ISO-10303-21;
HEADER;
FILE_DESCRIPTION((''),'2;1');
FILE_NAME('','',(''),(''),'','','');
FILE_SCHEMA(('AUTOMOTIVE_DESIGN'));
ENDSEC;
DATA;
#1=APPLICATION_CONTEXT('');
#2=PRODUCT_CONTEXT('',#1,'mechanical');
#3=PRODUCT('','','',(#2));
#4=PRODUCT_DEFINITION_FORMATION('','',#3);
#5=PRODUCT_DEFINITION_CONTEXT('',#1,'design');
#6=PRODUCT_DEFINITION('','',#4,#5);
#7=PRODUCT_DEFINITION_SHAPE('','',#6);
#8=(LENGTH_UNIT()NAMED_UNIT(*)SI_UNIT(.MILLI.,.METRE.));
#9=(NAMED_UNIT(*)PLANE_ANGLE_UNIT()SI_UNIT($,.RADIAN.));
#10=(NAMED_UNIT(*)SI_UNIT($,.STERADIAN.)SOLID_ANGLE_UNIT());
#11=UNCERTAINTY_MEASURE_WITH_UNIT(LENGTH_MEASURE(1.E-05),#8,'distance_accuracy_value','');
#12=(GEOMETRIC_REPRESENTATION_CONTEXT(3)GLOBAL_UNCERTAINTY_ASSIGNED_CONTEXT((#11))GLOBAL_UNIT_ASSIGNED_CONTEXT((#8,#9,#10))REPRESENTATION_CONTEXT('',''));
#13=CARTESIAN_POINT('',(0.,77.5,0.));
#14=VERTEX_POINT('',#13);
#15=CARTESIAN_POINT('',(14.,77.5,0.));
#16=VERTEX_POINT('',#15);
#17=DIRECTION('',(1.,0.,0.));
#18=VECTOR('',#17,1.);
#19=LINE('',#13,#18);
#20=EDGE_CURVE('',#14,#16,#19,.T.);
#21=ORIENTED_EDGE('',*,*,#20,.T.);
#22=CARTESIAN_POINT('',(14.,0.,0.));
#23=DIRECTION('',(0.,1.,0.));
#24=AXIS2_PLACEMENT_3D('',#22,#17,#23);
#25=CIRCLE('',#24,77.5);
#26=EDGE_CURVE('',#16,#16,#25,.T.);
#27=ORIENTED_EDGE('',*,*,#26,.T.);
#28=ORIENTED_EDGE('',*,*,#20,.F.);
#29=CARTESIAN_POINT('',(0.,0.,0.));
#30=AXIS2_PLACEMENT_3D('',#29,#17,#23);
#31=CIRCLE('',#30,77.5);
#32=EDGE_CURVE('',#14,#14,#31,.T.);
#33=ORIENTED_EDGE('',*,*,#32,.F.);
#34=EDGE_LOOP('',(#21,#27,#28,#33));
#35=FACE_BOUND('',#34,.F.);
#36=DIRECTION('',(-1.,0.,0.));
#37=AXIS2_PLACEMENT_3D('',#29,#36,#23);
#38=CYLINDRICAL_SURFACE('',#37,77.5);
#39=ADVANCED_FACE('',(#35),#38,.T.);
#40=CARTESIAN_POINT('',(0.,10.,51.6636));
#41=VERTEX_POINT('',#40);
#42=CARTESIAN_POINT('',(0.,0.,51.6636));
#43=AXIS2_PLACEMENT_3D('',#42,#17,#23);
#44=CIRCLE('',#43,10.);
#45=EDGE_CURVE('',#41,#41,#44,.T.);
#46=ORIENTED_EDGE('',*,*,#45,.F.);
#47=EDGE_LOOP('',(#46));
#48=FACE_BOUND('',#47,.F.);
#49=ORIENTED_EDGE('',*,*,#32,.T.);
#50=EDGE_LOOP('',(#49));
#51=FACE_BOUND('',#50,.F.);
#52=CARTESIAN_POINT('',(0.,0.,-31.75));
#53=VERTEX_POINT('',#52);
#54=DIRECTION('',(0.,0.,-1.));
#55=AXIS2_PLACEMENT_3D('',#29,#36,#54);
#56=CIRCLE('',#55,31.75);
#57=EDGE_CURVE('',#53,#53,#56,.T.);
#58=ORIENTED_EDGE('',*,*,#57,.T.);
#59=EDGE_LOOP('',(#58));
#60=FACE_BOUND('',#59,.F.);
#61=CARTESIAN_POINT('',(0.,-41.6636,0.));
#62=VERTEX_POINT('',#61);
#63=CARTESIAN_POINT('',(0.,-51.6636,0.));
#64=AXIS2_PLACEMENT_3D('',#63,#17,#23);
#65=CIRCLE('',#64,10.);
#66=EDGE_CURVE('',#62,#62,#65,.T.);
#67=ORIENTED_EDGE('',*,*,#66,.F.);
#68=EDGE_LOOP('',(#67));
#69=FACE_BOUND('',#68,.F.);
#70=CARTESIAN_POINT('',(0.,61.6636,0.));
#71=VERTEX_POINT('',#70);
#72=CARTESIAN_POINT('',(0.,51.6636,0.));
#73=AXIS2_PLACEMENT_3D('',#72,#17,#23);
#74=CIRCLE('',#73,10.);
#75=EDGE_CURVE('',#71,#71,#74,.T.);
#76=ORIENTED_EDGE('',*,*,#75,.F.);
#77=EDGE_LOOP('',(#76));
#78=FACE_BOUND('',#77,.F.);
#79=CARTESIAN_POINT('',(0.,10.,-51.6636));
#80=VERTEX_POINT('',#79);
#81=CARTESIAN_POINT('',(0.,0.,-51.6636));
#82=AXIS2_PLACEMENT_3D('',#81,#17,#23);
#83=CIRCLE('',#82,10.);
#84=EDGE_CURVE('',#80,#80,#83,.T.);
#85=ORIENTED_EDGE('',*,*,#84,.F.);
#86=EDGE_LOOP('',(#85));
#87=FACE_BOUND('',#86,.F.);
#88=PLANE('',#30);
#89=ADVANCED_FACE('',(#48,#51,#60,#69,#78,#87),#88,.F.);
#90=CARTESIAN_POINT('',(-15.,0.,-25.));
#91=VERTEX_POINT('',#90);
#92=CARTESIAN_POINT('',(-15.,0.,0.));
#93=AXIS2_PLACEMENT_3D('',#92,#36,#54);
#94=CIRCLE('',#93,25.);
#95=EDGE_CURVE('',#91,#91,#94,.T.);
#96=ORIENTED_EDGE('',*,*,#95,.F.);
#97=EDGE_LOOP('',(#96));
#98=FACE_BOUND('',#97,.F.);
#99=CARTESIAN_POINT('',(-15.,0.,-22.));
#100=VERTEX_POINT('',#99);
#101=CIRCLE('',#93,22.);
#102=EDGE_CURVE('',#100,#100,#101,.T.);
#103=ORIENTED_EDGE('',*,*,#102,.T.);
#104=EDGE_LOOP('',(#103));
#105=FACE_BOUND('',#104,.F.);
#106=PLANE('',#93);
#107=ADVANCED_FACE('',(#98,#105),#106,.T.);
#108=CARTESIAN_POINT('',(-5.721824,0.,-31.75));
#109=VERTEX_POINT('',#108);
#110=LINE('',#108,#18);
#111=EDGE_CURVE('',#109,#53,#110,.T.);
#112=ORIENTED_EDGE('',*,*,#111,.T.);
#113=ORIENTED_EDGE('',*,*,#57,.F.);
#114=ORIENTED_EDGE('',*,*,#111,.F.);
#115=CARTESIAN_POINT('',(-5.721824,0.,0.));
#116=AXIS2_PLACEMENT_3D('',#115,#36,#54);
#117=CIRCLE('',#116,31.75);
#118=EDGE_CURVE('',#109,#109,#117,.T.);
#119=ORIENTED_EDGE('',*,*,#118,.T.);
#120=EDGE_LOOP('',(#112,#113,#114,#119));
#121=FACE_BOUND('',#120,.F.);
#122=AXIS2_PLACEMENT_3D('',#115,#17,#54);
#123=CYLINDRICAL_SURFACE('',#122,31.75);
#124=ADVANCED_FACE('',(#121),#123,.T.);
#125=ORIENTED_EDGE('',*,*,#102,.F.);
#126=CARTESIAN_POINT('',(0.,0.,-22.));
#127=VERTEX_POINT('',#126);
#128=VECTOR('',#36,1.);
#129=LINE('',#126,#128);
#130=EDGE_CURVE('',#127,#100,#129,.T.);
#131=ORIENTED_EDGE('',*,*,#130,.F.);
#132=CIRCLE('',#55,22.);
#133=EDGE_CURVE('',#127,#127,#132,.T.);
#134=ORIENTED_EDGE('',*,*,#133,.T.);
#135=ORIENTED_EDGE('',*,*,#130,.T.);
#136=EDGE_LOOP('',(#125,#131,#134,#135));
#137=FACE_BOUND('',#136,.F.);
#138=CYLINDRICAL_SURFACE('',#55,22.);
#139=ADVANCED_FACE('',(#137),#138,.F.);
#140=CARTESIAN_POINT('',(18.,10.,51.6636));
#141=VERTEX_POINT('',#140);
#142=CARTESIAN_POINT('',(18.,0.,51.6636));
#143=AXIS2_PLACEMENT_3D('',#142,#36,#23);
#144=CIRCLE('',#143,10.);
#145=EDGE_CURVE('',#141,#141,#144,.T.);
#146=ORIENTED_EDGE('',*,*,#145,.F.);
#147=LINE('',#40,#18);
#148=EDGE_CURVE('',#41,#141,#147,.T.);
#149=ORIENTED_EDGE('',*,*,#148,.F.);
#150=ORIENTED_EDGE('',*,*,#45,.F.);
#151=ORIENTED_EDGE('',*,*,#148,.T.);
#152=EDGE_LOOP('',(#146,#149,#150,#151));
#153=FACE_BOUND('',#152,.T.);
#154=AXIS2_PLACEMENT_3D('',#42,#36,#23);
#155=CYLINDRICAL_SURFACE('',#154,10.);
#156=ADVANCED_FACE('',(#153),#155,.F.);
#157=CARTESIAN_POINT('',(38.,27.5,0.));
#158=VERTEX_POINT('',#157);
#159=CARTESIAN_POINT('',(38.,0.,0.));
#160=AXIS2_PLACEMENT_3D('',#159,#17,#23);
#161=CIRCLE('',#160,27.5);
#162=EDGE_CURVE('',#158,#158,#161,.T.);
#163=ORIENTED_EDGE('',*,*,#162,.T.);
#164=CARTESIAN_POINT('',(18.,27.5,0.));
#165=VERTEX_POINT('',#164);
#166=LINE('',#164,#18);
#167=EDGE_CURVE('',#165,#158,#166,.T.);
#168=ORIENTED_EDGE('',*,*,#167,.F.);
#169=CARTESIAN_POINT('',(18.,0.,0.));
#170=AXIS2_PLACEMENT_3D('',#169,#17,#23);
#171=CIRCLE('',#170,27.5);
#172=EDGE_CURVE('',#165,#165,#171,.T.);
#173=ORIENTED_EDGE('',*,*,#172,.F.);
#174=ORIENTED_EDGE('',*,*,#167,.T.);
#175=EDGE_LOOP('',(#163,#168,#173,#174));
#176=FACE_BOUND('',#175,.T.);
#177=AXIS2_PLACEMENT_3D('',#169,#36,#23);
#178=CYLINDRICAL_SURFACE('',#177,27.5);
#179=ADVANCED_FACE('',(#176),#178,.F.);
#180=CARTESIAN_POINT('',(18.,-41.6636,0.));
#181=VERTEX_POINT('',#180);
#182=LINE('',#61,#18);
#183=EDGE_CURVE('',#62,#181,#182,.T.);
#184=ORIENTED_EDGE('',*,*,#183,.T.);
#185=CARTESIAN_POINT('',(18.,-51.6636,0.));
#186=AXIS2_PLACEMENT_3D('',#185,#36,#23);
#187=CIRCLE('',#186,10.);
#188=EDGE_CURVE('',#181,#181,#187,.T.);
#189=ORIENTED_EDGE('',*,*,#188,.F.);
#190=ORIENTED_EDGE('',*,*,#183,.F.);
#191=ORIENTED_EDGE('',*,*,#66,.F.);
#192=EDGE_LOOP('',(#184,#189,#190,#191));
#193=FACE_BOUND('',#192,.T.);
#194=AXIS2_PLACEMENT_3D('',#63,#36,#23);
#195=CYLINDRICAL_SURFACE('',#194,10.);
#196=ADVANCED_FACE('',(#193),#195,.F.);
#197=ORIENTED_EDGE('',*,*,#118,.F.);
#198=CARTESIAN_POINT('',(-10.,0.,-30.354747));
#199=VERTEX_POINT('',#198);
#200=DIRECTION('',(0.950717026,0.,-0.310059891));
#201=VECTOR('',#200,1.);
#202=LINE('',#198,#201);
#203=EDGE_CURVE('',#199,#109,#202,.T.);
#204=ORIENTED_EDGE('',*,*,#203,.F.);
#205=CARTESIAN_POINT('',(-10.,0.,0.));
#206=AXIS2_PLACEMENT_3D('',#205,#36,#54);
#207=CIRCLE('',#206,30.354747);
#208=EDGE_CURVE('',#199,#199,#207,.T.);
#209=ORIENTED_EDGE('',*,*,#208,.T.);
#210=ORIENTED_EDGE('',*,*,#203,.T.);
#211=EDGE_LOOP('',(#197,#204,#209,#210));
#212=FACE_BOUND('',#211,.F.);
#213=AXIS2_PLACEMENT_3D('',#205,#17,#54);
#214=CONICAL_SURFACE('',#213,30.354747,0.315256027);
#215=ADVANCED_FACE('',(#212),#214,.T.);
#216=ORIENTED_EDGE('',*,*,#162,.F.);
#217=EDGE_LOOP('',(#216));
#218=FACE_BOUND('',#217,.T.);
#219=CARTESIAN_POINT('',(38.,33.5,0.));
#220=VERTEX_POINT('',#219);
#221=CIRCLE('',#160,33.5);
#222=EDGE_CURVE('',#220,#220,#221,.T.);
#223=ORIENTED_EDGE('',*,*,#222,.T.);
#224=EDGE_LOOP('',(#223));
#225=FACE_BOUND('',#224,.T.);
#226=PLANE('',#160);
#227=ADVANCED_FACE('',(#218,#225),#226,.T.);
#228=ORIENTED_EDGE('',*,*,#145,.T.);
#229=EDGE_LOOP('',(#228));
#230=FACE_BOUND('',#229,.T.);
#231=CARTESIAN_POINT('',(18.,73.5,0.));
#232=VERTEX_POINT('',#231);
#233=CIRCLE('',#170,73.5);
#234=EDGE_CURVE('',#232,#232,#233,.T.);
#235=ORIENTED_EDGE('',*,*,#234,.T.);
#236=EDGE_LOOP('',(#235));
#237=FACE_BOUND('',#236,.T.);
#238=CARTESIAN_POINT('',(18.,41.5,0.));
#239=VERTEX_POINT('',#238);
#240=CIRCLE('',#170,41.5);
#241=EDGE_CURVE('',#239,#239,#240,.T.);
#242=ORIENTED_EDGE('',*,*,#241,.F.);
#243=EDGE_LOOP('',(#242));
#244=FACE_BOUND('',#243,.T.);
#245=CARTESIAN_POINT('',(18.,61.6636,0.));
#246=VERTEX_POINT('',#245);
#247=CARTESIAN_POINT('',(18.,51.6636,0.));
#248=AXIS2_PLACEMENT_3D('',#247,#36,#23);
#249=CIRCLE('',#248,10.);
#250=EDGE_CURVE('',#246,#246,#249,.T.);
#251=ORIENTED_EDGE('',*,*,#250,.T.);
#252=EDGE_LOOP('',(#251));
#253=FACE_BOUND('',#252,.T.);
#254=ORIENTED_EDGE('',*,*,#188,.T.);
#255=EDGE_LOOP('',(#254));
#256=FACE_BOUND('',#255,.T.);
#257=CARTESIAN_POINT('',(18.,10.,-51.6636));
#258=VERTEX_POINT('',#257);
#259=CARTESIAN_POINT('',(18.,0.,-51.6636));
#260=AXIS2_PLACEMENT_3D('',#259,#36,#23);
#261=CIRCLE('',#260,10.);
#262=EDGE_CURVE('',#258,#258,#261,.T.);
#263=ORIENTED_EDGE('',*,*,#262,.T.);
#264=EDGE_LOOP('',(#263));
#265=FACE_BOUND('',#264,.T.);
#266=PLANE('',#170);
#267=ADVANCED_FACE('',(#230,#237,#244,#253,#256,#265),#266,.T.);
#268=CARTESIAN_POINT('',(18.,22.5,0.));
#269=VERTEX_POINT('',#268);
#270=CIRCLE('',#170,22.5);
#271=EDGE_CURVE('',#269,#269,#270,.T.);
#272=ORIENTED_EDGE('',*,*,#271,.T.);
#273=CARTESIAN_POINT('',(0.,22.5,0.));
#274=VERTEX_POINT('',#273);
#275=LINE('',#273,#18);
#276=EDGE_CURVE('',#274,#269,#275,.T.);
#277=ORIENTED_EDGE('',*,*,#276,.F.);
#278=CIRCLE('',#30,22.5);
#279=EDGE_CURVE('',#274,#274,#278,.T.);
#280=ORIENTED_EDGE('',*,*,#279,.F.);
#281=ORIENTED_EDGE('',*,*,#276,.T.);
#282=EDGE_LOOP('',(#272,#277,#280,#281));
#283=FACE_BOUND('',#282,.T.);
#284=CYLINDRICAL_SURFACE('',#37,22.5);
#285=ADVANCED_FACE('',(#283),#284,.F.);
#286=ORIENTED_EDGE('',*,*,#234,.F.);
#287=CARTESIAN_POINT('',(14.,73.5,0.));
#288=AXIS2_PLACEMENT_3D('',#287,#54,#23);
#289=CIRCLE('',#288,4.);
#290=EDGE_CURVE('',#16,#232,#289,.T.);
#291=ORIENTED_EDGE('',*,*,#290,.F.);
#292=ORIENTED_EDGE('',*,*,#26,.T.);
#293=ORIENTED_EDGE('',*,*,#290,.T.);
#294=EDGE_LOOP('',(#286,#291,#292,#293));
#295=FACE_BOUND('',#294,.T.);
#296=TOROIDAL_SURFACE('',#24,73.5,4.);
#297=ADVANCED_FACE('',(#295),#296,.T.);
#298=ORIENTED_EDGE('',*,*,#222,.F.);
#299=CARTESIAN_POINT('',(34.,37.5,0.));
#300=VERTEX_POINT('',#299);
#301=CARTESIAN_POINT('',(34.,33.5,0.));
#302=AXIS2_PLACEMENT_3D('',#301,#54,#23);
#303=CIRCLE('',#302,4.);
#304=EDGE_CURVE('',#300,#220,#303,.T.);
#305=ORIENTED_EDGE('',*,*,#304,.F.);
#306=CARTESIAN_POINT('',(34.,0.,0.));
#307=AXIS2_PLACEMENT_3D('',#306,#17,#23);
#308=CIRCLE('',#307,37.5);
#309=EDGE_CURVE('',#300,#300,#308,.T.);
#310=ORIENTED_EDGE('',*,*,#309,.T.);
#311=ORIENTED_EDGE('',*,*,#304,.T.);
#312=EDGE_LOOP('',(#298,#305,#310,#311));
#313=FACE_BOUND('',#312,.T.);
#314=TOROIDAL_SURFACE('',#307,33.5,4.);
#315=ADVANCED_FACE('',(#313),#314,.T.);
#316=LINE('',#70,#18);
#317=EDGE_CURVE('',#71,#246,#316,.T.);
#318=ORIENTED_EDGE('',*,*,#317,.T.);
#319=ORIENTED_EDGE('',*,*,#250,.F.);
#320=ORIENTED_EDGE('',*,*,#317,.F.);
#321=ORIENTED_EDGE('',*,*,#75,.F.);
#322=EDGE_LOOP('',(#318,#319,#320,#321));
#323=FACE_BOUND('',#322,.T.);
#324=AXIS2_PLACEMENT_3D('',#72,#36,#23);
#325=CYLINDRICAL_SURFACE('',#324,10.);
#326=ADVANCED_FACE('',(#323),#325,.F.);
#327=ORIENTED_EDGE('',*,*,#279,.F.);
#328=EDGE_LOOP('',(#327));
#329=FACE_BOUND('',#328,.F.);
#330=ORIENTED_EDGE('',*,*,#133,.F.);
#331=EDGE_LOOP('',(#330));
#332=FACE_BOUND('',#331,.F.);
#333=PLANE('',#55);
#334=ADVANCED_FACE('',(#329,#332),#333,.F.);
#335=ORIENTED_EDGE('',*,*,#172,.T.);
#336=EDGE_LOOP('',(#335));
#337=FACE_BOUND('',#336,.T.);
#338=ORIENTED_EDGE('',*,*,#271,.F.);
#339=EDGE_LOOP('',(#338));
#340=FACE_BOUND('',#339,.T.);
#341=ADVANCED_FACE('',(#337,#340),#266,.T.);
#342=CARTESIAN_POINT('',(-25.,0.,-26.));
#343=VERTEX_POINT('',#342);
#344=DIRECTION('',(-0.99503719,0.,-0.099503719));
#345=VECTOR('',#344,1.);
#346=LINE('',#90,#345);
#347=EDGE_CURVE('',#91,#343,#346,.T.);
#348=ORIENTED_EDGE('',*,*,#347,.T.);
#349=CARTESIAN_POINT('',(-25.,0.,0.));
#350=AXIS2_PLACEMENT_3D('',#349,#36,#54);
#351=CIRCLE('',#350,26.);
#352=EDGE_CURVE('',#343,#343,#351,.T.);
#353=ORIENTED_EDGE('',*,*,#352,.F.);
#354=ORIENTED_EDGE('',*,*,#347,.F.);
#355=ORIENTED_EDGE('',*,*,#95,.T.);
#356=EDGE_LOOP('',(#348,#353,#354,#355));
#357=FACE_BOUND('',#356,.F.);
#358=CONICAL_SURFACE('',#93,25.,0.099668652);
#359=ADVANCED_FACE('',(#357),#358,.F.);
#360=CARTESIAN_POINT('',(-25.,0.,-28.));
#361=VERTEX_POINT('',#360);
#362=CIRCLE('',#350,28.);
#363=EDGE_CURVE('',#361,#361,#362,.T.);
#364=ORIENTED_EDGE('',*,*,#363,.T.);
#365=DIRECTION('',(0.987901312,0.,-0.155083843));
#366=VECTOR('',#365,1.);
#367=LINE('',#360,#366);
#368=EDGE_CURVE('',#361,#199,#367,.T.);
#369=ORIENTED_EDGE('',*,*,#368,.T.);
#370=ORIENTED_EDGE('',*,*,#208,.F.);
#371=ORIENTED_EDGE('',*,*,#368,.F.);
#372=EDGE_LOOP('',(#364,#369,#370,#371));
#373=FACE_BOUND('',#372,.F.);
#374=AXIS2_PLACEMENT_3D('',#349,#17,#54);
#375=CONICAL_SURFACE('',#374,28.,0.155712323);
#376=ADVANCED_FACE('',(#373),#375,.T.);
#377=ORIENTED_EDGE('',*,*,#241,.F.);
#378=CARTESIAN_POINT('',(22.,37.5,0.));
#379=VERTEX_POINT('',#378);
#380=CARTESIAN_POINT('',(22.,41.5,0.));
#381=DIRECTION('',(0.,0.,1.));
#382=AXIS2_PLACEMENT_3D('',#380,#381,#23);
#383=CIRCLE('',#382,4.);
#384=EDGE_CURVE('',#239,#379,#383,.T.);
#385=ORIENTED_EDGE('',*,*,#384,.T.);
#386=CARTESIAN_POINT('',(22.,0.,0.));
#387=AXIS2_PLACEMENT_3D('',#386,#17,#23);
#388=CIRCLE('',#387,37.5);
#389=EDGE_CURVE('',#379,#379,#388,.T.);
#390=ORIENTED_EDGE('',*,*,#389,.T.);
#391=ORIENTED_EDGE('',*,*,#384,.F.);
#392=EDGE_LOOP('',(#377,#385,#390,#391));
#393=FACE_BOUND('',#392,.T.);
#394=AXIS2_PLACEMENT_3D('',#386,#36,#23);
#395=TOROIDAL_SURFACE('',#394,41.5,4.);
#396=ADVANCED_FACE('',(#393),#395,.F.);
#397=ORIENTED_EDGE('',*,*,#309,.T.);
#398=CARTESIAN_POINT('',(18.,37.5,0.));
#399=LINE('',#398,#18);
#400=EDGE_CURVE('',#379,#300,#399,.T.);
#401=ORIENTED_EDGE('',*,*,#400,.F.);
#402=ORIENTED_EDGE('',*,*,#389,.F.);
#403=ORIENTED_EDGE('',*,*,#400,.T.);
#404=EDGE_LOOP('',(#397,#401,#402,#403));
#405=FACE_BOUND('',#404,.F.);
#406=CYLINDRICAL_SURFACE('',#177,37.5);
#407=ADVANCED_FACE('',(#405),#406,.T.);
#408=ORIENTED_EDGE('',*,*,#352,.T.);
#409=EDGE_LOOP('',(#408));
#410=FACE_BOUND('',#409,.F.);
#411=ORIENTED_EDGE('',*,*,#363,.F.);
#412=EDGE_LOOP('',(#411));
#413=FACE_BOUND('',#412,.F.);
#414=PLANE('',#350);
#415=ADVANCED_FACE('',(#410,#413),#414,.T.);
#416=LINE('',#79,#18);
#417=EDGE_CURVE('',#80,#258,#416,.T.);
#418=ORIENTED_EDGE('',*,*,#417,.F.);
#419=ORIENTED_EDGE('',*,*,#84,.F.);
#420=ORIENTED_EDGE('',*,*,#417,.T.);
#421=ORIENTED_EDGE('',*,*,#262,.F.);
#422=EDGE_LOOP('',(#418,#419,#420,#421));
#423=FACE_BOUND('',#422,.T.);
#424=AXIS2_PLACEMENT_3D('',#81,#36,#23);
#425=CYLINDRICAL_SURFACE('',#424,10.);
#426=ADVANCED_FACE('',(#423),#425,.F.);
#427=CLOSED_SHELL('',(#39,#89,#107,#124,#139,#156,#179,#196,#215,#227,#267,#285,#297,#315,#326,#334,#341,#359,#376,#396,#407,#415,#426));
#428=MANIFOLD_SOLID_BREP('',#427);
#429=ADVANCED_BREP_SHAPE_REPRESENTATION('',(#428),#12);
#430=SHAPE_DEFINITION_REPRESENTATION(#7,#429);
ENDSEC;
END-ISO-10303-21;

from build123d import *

# Parameters (mm, degrees)
F0_R     = 77.5
F0_R_2   = 22.5
F1_DEPTH = 18
F2_R     = 37.5
F2_R_2   = 27.5
F3_DEPTH = 20
F4_R     = 4
F7_R     = 10
F8_DEPTH = 25


with BuildPart() as f1:
    # F0 (on Right) → F1 (new body)
    with BuildSketch(Plane.YZ):
        Circle(F0_R)
        Circle(F0_R_2, mode=Mode.SUBTRACT)
    extrude(amount=F1_DEPTH)

    # F2 (on face) → F3 (join)
    with BuildSketch(Plane.YZ.offset(18)):
        Circle(F2_R)
        Circle(F2_R_2, mode=Mode.SUBTRACT)
    extrude(amount=F3_DEPTH)

    # F4
    f4_edges = [f1.edges().sort_by_distance(p)[0] for p in [
        (28, 37.5, 0),
        (18, -37.5, 0),
        (38, -37.5, 0),
        (18, -77.5, 0),
    ]]
    fillet(f4_edges, radius=F4_R)

    # F5 (on Front) → F6 (revolve)
    with BuildSketch(Plane.XZ):
        Polygon((-5.721824, -31.75), (0, -31.75), (0, -22), (-15, -22), (-15, -25), (-25, -26), (-25, -28), (-10, -30.354747), align=None)
    revolve(axis=Axis((-7.5, 0, 0), (-1, 0, 0)))

    # F7 (on Right) → F8 (cut)
    with BuildSketch(Plane.YZ):
        with Locations((0, 51.6636)):
            Circle(F7_R)
        with Locations((-51.6636, 0)):
            Circle(F7_R)
        with Locations((0, -51.6636)):
            Circle(F7_R)
        with Locations((51.6636, 0)):
            Circle(F7_R)
    extrude(amount=F8_DEPTH, mode=Mode.SUBTRACT)


solid = f1.part
